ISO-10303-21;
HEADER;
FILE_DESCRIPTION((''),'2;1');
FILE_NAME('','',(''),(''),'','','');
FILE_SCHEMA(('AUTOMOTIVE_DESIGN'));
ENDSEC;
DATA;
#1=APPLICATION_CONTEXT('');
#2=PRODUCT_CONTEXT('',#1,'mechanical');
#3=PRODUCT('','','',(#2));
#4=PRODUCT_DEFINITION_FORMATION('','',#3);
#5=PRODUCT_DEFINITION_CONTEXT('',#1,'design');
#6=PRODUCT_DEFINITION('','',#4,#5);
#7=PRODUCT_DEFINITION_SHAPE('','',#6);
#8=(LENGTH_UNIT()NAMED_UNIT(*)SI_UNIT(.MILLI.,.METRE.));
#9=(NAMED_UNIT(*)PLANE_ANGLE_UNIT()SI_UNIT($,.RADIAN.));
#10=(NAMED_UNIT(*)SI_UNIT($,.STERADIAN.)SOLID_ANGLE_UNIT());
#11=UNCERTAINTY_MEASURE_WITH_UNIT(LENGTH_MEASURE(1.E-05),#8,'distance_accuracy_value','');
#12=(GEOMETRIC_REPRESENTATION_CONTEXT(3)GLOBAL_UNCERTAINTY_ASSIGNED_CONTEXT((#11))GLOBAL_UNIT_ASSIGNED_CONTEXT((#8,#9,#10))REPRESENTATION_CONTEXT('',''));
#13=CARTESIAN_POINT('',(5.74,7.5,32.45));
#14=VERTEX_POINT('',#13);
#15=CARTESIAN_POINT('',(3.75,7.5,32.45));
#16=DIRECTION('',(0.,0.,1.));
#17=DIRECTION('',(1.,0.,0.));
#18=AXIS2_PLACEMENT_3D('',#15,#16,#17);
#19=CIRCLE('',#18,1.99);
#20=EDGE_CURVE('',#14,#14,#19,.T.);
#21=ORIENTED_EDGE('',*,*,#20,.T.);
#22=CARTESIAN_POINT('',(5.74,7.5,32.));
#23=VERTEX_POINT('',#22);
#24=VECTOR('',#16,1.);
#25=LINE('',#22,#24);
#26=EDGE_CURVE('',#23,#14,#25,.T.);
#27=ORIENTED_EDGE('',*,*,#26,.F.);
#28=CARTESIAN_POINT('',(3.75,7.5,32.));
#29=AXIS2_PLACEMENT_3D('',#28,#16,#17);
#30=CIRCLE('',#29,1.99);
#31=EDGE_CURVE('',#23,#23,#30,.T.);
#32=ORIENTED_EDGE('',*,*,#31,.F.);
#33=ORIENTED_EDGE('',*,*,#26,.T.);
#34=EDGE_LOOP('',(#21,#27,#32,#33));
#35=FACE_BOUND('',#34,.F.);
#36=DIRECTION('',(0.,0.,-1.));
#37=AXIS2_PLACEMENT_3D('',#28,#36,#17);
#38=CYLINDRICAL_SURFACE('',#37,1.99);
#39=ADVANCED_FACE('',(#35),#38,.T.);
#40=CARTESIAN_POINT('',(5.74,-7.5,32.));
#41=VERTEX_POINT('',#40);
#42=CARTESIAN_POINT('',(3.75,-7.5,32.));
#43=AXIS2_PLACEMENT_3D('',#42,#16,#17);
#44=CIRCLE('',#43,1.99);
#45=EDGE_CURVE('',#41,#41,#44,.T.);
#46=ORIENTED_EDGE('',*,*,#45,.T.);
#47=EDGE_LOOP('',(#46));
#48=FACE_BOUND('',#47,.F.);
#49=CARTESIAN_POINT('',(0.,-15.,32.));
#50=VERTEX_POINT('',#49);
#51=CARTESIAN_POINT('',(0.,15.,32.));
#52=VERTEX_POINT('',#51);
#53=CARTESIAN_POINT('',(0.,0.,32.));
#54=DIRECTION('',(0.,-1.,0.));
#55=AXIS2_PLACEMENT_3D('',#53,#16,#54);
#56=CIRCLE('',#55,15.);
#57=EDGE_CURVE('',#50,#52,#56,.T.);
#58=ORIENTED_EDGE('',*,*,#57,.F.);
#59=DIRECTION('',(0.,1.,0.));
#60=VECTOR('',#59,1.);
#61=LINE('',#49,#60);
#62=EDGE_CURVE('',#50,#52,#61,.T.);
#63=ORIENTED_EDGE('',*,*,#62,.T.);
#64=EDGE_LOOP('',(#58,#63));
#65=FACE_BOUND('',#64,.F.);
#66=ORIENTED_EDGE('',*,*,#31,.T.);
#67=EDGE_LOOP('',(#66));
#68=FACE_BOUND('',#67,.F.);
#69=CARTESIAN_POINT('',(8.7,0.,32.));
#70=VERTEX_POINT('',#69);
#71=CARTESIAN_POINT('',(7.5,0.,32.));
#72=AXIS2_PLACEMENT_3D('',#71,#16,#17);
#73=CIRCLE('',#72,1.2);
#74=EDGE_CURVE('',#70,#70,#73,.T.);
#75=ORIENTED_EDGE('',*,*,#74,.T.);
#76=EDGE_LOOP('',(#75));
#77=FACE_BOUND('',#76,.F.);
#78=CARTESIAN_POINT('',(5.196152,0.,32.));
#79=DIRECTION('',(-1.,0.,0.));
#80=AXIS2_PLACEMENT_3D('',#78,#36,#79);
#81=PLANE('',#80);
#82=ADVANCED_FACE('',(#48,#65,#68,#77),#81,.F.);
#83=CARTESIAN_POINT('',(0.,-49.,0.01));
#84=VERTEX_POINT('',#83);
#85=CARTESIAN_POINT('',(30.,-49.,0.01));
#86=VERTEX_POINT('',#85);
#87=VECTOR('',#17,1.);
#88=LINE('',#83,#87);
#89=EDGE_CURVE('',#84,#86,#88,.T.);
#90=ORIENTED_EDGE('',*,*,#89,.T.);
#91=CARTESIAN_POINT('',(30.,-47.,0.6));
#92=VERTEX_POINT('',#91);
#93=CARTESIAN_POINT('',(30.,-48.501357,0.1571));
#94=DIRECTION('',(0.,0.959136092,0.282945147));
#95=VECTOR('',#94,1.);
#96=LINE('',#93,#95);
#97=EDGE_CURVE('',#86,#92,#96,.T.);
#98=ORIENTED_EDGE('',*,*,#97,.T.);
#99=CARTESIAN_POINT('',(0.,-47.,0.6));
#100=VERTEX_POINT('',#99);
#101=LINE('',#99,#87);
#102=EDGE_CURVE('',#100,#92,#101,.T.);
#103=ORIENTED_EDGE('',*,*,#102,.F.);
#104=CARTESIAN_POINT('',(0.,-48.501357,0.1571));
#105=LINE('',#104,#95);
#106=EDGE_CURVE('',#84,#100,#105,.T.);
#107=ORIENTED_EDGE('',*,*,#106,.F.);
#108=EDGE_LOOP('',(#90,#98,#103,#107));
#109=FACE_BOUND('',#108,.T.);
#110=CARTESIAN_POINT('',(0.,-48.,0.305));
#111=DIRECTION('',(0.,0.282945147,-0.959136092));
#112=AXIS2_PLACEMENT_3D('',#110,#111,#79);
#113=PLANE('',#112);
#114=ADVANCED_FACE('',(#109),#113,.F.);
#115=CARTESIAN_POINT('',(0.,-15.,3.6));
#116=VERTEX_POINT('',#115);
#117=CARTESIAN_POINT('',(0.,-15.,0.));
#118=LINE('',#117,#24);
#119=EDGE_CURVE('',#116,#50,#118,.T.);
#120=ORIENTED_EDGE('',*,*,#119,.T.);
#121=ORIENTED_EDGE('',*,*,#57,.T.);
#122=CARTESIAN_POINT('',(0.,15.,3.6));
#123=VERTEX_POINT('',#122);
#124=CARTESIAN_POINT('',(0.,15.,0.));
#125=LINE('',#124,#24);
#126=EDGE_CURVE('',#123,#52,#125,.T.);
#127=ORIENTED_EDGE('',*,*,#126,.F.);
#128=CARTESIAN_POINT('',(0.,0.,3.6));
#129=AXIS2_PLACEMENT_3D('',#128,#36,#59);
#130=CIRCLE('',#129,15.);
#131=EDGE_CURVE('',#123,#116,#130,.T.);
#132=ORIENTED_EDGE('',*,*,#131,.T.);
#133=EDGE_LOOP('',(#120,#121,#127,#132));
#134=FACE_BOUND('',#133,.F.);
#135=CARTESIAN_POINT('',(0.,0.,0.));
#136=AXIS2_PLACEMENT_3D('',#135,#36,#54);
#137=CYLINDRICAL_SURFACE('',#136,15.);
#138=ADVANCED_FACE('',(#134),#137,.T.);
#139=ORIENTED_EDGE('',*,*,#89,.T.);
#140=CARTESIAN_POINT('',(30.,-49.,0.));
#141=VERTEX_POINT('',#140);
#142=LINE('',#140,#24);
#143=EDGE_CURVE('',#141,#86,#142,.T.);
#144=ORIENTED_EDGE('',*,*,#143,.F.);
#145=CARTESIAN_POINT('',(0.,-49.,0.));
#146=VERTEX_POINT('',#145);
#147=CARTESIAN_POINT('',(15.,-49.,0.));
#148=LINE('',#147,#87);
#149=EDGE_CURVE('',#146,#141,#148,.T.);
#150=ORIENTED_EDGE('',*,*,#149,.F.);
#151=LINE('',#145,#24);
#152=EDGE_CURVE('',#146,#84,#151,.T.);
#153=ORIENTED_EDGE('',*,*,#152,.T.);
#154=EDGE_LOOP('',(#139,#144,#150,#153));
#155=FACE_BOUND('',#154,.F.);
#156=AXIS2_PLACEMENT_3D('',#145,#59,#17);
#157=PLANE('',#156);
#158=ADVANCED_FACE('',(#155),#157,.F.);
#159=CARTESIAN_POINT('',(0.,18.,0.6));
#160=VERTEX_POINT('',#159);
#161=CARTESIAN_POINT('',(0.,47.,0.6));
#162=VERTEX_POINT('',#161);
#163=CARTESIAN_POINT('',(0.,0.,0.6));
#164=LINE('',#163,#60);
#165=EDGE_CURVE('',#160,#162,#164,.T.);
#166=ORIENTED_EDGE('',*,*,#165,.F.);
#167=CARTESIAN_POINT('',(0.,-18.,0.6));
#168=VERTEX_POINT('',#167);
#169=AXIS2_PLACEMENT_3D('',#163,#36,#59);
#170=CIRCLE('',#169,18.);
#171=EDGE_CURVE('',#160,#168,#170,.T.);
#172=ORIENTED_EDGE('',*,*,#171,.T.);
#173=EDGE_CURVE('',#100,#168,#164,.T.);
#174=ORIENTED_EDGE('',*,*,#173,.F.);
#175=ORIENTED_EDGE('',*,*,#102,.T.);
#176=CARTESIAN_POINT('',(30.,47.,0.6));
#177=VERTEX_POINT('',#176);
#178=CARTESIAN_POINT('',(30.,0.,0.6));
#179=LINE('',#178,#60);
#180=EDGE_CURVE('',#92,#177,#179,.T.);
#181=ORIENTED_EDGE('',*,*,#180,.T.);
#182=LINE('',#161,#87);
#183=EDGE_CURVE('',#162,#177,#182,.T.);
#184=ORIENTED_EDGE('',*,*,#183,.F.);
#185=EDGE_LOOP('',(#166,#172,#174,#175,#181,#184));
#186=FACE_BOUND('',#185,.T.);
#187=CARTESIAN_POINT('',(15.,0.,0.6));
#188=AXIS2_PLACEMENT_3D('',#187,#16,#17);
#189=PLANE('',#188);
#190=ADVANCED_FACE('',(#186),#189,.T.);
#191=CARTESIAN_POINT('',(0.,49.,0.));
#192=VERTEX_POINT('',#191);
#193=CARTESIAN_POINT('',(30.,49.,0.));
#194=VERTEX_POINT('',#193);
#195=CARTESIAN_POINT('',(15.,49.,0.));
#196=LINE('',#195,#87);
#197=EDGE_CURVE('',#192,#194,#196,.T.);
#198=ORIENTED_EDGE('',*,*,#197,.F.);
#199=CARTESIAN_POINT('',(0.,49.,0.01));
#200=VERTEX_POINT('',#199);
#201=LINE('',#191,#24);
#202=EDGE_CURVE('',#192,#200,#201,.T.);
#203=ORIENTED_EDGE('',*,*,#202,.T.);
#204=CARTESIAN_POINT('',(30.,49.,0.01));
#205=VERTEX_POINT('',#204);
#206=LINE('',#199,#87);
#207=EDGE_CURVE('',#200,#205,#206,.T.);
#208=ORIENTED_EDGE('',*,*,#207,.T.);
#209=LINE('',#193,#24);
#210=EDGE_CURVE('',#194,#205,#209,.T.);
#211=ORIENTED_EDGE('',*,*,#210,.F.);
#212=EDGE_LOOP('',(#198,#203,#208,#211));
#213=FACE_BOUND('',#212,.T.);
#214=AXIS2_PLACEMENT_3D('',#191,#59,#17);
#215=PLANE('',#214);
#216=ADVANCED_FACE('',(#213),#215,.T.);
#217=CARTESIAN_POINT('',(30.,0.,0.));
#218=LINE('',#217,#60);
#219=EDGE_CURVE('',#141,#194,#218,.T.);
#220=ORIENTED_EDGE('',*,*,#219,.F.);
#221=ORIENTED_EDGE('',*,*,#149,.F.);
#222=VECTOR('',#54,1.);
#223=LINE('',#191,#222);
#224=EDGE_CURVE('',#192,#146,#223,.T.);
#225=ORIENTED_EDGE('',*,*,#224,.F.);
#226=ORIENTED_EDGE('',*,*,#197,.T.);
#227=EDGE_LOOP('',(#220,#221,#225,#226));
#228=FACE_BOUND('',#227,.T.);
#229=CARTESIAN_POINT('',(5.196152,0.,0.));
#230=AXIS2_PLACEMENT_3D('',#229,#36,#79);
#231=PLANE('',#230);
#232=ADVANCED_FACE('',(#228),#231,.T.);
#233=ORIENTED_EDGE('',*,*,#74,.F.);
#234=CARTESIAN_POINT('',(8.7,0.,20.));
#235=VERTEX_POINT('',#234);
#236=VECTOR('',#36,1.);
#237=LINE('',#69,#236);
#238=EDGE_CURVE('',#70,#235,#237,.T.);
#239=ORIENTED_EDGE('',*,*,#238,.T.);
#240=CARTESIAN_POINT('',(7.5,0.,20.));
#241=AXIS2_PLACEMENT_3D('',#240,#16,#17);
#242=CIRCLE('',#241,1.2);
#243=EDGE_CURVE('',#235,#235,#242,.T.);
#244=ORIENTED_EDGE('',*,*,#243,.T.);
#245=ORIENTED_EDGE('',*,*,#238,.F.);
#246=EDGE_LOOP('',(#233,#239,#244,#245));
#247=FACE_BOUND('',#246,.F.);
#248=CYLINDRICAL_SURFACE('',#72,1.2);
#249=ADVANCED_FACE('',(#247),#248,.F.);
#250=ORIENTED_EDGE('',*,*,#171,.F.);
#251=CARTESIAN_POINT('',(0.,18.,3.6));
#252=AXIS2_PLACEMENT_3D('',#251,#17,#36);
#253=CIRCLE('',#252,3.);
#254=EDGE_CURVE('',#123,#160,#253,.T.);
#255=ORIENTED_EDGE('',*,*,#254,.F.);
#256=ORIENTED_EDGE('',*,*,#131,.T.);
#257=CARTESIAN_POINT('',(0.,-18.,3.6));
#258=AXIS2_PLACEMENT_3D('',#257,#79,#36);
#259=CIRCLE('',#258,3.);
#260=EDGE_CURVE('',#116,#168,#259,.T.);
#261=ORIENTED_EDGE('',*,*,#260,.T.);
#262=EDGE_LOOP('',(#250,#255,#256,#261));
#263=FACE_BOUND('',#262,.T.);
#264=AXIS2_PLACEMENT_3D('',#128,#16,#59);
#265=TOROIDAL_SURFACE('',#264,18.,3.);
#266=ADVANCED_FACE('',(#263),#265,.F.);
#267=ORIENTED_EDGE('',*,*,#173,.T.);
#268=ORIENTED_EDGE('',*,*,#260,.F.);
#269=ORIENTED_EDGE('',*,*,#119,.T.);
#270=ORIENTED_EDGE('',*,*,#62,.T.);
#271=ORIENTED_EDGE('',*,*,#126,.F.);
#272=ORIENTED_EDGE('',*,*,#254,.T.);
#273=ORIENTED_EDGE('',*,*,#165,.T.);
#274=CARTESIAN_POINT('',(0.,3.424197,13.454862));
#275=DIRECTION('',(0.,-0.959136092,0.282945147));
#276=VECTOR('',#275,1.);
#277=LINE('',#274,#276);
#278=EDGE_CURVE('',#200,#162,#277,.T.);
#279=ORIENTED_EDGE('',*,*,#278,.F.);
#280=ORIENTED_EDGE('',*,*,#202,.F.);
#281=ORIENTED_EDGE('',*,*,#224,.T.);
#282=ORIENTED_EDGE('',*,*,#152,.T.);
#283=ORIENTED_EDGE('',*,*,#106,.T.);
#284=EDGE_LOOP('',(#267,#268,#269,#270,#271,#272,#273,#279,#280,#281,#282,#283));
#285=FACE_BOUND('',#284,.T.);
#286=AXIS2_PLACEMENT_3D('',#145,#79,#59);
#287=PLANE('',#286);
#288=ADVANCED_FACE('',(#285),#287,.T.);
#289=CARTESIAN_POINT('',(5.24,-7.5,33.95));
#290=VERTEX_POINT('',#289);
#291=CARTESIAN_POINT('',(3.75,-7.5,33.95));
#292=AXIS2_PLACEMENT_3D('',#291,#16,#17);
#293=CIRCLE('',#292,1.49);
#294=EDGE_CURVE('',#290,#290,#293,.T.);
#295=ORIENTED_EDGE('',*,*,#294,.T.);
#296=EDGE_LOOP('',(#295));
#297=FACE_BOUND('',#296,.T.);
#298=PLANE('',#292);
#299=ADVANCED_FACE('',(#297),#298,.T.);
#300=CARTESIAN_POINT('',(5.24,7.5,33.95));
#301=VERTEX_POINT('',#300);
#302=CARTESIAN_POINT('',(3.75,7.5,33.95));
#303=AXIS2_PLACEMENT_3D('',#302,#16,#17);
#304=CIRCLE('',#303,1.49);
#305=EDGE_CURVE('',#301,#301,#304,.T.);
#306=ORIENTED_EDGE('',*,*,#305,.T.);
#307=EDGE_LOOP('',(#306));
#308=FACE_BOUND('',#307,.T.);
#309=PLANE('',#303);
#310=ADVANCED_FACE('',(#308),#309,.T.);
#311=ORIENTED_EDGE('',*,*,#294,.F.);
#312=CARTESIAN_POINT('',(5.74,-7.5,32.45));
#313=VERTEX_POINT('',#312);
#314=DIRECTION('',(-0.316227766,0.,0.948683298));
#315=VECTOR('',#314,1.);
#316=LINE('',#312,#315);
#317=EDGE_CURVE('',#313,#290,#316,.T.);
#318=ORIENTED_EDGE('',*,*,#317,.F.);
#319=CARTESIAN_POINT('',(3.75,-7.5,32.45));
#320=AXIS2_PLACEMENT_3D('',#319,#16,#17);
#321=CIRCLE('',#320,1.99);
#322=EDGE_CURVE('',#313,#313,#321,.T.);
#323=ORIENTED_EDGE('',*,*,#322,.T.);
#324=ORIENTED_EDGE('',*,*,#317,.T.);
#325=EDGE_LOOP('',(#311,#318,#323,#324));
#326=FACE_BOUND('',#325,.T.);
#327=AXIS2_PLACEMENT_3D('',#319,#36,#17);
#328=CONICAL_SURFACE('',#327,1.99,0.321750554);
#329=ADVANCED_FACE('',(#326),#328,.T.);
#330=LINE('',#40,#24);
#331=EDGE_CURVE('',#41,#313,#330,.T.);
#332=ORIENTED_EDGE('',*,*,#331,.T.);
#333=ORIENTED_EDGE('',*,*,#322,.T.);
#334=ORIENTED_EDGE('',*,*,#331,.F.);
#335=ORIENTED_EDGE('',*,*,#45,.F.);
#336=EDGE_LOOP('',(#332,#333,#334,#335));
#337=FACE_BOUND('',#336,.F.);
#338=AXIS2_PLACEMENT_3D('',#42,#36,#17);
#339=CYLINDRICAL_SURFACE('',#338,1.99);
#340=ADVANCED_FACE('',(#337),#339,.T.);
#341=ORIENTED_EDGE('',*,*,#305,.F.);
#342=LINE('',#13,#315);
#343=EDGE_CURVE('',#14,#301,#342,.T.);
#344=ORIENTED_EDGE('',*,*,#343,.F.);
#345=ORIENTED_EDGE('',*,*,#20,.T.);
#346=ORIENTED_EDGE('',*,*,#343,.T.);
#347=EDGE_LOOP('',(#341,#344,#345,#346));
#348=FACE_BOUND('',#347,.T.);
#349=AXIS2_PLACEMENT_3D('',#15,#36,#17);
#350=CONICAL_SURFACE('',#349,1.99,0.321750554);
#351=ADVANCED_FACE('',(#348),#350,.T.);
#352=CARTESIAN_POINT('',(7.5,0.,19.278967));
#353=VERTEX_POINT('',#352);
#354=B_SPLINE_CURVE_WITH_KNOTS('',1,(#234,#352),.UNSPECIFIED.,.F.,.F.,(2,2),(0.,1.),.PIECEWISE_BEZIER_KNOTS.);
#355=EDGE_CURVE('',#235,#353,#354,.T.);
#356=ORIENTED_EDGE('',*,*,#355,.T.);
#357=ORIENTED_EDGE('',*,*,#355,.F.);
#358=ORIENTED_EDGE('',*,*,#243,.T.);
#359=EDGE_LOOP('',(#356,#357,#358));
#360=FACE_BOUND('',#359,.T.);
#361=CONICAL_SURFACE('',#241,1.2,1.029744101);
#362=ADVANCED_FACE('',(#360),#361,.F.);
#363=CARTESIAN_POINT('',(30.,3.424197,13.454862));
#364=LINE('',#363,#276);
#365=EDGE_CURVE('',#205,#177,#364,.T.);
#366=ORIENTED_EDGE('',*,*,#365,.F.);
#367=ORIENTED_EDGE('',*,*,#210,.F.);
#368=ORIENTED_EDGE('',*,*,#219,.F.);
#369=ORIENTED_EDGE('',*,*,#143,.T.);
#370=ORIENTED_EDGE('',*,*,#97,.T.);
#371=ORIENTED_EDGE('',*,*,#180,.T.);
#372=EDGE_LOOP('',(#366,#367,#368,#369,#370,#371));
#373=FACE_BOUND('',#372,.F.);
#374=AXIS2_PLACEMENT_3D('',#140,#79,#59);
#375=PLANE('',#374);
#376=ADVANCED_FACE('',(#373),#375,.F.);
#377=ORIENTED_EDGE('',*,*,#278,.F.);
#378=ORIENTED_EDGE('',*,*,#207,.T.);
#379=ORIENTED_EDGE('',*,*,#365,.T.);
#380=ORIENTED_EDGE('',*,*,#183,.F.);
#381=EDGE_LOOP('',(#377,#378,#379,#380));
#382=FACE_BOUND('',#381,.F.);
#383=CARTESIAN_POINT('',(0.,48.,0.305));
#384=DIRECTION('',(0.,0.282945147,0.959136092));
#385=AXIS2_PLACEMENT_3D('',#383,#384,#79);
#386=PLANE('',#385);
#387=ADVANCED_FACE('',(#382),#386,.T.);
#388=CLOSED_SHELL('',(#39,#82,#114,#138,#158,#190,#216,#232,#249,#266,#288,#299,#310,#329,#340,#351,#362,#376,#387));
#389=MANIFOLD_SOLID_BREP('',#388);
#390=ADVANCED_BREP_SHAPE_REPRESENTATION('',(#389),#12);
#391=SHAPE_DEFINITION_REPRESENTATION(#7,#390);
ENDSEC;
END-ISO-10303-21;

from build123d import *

# Parameters (mm, degrees)
SKETCH001_W        = 30
SKETCH001_H        = 98
PAD001_DEPTH       = 0.6
CHAMFER_1_SIZE2    = 2
CHAMFER_1_SIZE     = 0.59
CHAMFER_2_SIZE2    = 2
CHAMFER_2_SIZE     = 0.59
PAD002_DEPTH       = 32
FILLET_R           = 3
SKETCH003_R        = 1.2
HOLE_DEPTH         = 12
HOLE_TIPS_R        = 1.2
SKETCH004_R        = 1.99
PAD003_DEPTH       = 1.95
CHAMFER001_1_SIZE2 = 0.5
CHAMFER001_1_SIZE  = 1.5
CHAMFER001_2_SIZE2 = 0.5
CHAMFER001_2_SIZE  = 1.5


with BuildPart() as part:
    # Sketch001 → Pad001 (new body)
    with BuildSketch(Plane.XY):
        with Locations((15, 0)):
            Rectangle(SKETCH001_W, SKETCH001_H)
    extrude(amount=PAD001_DEPTH)

    # Chamfer 1
    chamfer_1_edges = [part.edges().sort_by_distance(p)[0] for p in [
        (15, -49, 0.6),
    ]]
    chamfer_1_side = part.faces().sort_by_distance((15, -49, 0.3))[0]
    chamfer(chamfer_1_edges, length=CHAMFER_1_SIZE, length2=CHAMFER_1_SIZE2, reference=chamfer_1_side)

    # Chamfer 2
    chamfer_2_edges = [part.edges().sort_by_distance(p)[0] for p in [
        (15, 49, 0.6),
    ]]
    chamfer_2_side = part.faces().sort_by_distance((15, 49, 0.3))[0]
    chamfer(chamfer_2_edges, length=CHAMFER_2_SIZE, length2=CHAMFER_2_SIZE2, reference=chamfer_2_side)

    # Sketch002 → Pad002 (join)
    with BuildSketch(Plane.XY):
        with BuildLine():
            Line((0, -15), (0, 15))
            ThreePointArc((0, -15), (15, 0), (0, 15))
        make_face()
    extrude(amount=PAD002_DEPTH)

    # Fillet
    fillet_edges = [part.edges().sort_by_distance(p)[0] for p in [
        (15, 0, 0.6),
    ]]
    fillet(fillet_edges, radius=FILLET_R)

    # Sketch003 (on Face9 of Fillet) → Hole (cut)
    with BuildSketch(Plane.XY.offset(32)):
        with Locations((7.5, 0)):
            Circle(SKETCH003_R)
    extrude(amount=-HOLE_DEPTH, mode=Mode.SUBTRACT)

    # Hole tips → Hole tip 1 section 0
    with BuildSketch(Plane.XY.offset(20), mode=Mode.PRIVATE) as hole_tip_1_s0:
        with Locations((7.5, 0)):
            Circle(HOLE_TIPS_R)
    loft([hole_tip_1_s0.sketch, Vertex(7.5, 0, 19.278967)], mode=Mode.SUBTRACT)

    # Sketch004 (on Face9 of Hole) → Pad003 (join)
    with BuildSketch(Plane.XY.offset(32)):
        with Locations((3.75, 7.5)):
            Circle(SKETCH004_R)
        with Locations((3.75, -7.5)):
            Circle(SKETCH004_R)
    extrude(amount=PAD003_DEPTH)

    # Chamfer001 1
    chamfer001_1_edges = [part.edges().sort_by_distance(p)[0] for p in [
        (1.76, -7.5, 33.95),
    ]]
    chamfer001_1_side = part.faces().sort_by_distance((1.76, -7.5, 32.975))[0]
    chamfer(chamfer001_1_edges, length=CHAMFER001_1_SIZE, length2=CHAMFER001_1_SIZE2, reference=chamfer001_1_side)

    # Chamfer001 2
    chamfer001_2_edges = [part.edges().sort_by_distance(p)[0] for p in [
        (1.76, 7.5, 33.95),
    ]]
    chamfer001_2_side = part.faces().sort_by_distance((1.76, 7.5, 32.975))[0]
    chamfer(chamfer001_2_edges, length=CHAMFER001_2_SIZE, length2=CHAMFER001_2_SIZE2, reference=chamfer001_2_side)


solid = part.part
